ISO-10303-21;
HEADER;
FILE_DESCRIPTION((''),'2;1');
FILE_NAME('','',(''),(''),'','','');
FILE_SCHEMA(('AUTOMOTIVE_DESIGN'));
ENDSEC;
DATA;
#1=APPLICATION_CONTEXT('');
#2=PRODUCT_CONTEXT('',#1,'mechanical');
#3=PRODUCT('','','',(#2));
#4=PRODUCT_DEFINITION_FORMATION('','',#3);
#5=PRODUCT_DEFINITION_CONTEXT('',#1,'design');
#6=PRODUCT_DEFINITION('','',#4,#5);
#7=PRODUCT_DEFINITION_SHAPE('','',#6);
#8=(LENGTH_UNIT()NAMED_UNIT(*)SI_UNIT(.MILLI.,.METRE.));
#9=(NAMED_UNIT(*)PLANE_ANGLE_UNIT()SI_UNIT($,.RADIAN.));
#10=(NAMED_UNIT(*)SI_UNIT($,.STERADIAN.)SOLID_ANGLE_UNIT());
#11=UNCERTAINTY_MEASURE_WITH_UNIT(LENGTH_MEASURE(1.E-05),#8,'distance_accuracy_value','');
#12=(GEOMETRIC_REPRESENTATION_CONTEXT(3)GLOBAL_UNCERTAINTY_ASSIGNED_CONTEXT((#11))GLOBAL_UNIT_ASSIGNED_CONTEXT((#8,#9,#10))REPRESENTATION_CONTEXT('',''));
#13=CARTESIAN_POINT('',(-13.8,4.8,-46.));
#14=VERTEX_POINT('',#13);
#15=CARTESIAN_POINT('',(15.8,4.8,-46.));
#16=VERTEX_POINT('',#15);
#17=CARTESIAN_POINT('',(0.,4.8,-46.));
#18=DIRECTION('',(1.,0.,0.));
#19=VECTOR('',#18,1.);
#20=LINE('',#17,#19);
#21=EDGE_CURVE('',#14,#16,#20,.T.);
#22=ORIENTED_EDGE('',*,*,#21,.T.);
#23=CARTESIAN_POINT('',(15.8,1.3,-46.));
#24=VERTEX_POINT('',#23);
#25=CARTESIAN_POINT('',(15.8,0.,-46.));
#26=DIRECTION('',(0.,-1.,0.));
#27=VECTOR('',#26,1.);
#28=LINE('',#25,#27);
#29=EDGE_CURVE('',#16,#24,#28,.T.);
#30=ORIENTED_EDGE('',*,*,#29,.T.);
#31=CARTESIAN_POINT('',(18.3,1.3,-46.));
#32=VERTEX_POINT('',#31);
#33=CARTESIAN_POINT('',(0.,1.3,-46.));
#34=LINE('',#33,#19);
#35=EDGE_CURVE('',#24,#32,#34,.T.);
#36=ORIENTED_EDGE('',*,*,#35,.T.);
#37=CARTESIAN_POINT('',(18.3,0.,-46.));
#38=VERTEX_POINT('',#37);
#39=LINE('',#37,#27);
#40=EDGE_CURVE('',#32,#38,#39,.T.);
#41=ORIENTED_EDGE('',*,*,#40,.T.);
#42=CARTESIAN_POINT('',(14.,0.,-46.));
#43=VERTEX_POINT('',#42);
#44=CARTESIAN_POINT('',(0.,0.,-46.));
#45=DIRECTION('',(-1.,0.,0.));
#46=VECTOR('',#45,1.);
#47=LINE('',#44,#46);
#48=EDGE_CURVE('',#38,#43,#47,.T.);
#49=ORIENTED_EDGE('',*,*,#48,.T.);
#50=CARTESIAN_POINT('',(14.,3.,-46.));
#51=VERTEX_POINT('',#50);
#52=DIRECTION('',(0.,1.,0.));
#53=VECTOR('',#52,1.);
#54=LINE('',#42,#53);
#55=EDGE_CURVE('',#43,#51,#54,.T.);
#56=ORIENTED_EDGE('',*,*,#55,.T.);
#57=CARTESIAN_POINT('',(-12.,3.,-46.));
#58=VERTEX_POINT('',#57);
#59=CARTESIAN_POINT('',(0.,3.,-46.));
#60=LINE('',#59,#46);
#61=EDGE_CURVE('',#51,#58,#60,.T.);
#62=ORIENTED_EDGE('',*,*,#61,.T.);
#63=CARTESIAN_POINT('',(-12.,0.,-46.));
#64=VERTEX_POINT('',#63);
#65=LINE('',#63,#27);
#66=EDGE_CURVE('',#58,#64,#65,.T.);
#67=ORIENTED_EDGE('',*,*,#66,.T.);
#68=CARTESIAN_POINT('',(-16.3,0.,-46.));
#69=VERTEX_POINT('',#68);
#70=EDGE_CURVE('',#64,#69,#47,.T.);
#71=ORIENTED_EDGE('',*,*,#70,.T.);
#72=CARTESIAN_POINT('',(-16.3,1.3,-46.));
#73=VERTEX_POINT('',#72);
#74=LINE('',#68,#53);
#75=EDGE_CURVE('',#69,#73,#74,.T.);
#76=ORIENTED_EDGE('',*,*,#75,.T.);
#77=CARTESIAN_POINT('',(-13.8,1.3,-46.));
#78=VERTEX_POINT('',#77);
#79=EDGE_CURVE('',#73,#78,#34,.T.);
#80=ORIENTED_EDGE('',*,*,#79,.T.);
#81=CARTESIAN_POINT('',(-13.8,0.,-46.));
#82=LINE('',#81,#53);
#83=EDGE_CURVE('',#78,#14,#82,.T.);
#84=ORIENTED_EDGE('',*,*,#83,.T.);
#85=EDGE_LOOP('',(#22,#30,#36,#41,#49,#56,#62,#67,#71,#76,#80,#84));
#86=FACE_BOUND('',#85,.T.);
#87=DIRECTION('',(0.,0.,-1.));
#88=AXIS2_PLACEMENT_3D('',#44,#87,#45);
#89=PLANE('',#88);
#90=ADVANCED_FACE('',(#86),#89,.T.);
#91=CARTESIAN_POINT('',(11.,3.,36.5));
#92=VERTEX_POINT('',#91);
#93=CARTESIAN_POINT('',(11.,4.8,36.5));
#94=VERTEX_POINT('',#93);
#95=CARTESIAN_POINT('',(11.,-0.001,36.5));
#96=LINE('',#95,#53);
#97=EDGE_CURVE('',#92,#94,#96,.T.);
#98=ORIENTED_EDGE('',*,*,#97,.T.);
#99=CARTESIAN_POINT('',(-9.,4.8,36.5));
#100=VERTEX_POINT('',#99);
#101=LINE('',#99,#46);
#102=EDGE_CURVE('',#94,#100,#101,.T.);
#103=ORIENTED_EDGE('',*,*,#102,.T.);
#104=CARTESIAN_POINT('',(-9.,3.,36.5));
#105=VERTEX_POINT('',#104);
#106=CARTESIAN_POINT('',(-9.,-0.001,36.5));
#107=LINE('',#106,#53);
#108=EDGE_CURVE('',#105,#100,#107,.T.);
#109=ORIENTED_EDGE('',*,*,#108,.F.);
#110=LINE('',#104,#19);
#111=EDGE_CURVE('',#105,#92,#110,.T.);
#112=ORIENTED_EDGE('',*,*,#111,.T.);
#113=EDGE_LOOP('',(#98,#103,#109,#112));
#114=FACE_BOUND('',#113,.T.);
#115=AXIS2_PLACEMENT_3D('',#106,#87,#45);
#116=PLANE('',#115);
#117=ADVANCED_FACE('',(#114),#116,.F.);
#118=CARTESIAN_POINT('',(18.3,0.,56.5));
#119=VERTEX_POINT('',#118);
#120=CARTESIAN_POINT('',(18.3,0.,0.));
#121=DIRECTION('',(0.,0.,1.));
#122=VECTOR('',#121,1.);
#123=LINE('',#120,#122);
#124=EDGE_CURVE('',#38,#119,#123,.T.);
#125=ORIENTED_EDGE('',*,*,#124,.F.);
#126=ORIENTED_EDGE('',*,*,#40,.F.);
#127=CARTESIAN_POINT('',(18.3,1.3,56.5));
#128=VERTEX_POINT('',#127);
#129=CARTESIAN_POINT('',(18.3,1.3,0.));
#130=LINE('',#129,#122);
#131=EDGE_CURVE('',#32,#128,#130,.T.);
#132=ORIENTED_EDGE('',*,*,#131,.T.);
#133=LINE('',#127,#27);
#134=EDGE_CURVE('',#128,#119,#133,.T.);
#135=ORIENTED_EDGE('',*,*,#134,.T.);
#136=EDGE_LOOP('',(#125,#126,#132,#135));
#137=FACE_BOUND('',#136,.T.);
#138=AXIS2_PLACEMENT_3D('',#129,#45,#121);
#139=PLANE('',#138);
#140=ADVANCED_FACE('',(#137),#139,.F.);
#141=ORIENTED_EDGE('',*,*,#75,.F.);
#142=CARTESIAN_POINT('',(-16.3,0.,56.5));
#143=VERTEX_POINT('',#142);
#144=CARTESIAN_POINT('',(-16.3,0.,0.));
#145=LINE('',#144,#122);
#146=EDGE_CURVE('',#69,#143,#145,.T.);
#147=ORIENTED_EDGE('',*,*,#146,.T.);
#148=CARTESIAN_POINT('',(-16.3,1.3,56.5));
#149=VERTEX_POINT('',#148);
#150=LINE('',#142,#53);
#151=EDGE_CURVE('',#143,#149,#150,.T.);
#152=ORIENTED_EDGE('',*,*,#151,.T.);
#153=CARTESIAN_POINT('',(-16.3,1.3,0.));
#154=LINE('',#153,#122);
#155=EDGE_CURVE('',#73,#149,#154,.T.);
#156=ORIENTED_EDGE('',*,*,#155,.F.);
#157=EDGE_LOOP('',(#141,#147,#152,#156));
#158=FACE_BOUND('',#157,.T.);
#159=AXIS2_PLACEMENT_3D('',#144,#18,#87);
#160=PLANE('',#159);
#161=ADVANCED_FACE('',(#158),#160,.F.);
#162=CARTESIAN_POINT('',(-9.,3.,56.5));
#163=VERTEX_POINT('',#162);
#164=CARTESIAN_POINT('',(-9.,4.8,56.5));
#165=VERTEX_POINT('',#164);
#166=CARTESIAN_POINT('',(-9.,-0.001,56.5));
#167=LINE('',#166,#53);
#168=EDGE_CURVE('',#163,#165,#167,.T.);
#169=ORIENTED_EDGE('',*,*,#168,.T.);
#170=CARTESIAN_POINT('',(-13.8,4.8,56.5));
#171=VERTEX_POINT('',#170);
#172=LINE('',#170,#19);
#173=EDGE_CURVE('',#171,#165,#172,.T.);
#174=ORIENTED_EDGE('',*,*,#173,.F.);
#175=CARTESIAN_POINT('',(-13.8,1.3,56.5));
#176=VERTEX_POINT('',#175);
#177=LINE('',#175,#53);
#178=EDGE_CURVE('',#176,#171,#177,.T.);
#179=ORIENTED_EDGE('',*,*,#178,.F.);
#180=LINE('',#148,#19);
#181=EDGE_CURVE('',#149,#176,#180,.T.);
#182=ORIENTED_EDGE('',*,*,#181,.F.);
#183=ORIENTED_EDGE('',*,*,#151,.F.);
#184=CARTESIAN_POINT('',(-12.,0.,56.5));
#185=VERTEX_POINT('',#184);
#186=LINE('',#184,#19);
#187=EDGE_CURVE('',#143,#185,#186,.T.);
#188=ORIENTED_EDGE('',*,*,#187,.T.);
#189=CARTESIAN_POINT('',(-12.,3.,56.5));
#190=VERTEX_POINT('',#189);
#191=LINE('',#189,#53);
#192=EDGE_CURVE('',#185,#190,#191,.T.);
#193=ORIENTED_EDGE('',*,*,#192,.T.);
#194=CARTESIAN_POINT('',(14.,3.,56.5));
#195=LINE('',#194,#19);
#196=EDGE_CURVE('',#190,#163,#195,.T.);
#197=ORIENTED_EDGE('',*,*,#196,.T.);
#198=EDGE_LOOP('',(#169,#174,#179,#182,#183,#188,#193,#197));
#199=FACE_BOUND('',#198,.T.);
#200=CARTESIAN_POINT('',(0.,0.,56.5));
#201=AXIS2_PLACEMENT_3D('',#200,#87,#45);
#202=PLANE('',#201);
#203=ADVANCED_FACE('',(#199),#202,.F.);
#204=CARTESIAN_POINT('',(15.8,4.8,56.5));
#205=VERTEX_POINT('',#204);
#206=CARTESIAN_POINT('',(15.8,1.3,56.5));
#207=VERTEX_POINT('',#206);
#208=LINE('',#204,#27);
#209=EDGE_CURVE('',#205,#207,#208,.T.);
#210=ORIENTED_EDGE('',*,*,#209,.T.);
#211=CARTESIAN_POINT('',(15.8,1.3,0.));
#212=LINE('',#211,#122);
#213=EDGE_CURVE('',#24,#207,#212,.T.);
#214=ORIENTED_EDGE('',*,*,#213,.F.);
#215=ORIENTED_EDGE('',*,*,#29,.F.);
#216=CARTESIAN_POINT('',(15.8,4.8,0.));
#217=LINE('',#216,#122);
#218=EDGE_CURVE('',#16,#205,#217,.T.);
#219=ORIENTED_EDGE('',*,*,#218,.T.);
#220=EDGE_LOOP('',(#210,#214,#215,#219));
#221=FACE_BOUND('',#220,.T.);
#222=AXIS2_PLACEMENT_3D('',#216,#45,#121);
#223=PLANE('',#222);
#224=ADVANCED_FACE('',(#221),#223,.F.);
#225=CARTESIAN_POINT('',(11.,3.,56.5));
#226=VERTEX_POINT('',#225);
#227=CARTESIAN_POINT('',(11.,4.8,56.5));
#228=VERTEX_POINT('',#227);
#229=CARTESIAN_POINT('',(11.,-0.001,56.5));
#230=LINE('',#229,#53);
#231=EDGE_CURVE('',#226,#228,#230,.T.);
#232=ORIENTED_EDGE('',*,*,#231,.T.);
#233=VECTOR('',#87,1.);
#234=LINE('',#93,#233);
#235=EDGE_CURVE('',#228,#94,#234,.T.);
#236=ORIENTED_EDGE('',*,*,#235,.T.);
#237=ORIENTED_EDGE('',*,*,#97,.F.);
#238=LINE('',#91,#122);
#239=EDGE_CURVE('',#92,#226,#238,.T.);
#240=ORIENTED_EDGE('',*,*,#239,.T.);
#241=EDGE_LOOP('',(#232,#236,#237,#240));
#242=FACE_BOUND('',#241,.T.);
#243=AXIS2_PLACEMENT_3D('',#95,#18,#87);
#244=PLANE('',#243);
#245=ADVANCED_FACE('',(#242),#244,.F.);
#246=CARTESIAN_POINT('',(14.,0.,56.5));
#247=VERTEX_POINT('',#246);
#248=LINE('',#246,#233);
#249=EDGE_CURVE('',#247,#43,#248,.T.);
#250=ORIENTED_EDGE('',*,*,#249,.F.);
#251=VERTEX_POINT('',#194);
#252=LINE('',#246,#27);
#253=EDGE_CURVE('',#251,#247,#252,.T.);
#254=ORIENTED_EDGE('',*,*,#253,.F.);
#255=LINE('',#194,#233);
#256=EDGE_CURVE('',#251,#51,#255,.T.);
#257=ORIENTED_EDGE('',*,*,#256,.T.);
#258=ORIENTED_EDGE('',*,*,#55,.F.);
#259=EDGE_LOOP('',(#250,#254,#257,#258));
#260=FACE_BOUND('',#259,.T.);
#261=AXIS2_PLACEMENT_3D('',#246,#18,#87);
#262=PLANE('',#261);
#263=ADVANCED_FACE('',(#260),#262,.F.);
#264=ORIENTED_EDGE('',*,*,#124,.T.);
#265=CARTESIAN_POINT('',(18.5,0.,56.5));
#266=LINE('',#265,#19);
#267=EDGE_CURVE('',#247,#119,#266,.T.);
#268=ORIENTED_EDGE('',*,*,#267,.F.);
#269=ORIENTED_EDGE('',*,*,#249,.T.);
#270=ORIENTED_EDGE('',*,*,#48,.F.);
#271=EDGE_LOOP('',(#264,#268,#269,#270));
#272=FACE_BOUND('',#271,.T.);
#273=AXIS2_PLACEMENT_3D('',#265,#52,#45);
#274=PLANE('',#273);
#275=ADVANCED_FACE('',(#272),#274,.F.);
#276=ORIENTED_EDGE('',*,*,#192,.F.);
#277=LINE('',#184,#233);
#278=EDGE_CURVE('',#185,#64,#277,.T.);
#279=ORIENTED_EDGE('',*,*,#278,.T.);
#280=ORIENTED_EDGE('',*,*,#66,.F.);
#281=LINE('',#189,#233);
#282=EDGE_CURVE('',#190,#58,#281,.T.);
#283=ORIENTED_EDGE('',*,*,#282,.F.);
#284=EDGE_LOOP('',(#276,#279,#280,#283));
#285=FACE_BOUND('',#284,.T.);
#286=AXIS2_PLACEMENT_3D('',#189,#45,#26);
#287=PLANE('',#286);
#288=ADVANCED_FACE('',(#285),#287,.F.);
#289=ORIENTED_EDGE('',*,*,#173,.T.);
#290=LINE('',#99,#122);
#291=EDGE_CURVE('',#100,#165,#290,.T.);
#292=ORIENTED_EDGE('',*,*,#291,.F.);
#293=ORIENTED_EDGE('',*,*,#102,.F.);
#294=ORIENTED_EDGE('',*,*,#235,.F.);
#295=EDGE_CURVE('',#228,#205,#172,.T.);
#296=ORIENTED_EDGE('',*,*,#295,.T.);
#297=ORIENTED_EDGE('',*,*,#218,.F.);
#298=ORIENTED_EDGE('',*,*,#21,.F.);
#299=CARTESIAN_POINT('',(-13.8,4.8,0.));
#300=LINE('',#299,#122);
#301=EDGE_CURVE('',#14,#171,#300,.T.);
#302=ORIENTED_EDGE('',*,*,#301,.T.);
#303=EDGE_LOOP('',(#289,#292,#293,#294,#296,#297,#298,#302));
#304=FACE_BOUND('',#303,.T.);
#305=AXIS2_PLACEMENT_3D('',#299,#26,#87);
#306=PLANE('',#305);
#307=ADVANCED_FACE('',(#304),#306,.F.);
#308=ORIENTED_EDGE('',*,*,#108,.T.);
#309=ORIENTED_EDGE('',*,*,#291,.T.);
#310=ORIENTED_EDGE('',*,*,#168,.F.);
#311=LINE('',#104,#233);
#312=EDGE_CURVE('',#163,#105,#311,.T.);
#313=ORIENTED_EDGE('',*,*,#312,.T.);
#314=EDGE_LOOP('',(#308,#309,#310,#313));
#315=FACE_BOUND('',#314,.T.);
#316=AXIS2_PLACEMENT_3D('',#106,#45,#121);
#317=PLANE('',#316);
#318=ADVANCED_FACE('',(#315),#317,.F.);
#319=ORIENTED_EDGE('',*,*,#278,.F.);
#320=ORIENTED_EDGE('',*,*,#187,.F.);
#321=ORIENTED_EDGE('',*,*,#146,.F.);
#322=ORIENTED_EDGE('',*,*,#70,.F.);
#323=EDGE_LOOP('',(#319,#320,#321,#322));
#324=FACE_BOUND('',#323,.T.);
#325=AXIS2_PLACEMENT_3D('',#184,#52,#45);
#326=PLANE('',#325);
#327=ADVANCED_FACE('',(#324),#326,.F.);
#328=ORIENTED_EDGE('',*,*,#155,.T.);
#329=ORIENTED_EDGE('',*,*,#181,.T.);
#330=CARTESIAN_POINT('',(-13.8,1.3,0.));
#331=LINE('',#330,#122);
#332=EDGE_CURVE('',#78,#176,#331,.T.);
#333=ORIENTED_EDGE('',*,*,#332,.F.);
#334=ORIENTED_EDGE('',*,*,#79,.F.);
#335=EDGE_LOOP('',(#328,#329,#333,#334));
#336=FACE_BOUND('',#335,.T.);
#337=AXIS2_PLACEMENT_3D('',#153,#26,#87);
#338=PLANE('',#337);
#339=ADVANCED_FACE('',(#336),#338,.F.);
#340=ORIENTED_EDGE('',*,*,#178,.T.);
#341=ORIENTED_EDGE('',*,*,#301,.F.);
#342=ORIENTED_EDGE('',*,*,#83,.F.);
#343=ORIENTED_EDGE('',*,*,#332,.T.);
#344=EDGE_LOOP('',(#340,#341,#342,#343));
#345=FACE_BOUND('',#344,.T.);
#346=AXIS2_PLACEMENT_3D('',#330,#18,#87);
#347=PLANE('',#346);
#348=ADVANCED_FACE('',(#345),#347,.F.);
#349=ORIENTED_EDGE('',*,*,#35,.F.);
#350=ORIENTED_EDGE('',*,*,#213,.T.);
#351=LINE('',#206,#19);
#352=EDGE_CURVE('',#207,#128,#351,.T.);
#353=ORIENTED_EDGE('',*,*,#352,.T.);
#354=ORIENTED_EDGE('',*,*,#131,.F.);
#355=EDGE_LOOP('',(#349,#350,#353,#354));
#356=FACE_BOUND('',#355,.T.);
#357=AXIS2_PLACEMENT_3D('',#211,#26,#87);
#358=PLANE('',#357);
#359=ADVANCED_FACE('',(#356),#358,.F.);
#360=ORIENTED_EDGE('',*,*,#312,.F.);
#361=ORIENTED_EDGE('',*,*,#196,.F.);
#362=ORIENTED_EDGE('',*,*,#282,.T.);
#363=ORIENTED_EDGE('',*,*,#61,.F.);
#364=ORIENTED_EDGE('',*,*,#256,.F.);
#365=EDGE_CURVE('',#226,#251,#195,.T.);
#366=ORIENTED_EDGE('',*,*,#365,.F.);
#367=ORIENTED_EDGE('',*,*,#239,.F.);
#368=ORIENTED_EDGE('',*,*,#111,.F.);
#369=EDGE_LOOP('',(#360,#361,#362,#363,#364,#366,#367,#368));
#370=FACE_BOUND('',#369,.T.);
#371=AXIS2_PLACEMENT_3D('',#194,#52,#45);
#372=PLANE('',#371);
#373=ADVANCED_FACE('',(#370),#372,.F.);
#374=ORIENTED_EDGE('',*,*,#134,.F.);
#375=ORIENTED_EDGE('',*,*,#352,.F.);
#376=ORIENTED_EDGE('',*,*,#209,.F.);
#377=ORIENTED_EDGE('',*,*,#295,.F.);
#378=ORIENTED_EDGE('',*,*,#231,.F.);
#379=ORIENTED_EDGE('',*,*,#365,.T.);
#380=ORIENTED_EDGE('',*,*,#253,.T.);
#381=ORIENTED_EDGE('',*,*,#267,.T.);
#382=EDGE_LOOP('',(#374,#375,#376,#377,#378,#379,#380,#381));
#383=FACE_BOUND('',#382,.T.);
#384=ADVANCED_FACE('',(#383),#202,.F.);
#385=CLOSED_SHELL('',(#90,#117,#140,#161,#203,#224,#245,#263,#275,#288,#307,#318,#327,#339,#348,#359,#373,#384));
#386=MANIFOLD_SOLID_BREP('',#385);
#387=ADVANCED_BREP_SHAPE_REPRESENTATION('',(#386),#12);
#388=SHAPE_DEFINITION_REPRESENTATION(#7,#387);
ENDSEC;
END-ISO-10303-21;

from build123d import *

# Parameters (mm, degrees)
EXTRUDE_1_DEPTH     = 56.5
CUT_EXTRUDE_1_REACH = 61.662
SKETCH_2_W          = 20
SKETCH_2_H          = 20
CUT_EXTRUDE_2_DEPTH = 60.661545404
EXTRUDE_2_DEPTH     = 46


with BuildPart() as part:
    # 草图1 → 凸台-拉伸1 (new body)
    with BuildSketch(Plane.XY):
        Polygon((-16.5, 0), (-16.5, 1.5), (-14, 1.5), (-14, 5), (16, 5), (16, 1.5), (18.5, 1.5), (18.5, 0), (14, 0), (14, 3), (-12, 3), (-12, 0), align=None)
    extrude(amount=EXTRUDE_1_DEPTH)

    # 草图2 → 切除-拉伸1 (cut, up to next)
    with BuildSketch(Plane(origin=(0, 5, 0), x_dir=(1, 0, 0), z_dir=(0, 1, 0)), mode=Mode.PRIVATE) as cut_extrude_1_sk1:
        with Locations((1, -46.5)):
            Rectangle(SKETCH_2_W, SKETCH_2_H)
    cut_extrude_1_tool1 = extrude(cut_extrude_1_sk1.sketch, amount=-CUT_EXTRUDE_1_REACH, mode=Mode.PRIVATE) & part.part
    add(cut_extrude_1_tool1.solids().sort_by_distance((1, 5, 46.5))[0], mode=Mode.SUBTRACT)

    # 草图3 → 切除-拉伸2 (cut, through all)
    with BuildSketch(Plane.XY.offset(56.5)):
        Polygon((-16.3, 0), (-16.3, 1.3), (-13.8, 1.3), (-13.8, 4.8), (15.8, 4.8), (15.8, 1.3), (18.3, 1.3), (18.3, 0), (18.5, 0), (18.5, 1.5), (16, 1.5), (16, 5), (-14, 5), (-14, 1.5), (-16.5, 1.5), (-16.5, 0), align=None)
    extrude(amount=-CUT_EXTRUDE_2_DEPTH, mode=Mode.SUBTRACT)

    # 草图4 → 凸台-拉伸2 (add)
    with BuildSketch(Plane(origin=(0, 0, 0), x_dir=(-1, 0, 0), z_dir=(0, 0, -1))):
        Polygon((-15.8, 1.3), (-18.3, 1.3), (-18.3, 0), (-14, 0), (-14, 3), (12, 3), (12, 0), (16.3, 0), (16.3, 1.3), (13.8, 1.3), (13.8, 4.8), (-15.8, 4.8), align=None)
    extrude(amount=EXTRUDE_2_DEPTH)


solid = part.part
